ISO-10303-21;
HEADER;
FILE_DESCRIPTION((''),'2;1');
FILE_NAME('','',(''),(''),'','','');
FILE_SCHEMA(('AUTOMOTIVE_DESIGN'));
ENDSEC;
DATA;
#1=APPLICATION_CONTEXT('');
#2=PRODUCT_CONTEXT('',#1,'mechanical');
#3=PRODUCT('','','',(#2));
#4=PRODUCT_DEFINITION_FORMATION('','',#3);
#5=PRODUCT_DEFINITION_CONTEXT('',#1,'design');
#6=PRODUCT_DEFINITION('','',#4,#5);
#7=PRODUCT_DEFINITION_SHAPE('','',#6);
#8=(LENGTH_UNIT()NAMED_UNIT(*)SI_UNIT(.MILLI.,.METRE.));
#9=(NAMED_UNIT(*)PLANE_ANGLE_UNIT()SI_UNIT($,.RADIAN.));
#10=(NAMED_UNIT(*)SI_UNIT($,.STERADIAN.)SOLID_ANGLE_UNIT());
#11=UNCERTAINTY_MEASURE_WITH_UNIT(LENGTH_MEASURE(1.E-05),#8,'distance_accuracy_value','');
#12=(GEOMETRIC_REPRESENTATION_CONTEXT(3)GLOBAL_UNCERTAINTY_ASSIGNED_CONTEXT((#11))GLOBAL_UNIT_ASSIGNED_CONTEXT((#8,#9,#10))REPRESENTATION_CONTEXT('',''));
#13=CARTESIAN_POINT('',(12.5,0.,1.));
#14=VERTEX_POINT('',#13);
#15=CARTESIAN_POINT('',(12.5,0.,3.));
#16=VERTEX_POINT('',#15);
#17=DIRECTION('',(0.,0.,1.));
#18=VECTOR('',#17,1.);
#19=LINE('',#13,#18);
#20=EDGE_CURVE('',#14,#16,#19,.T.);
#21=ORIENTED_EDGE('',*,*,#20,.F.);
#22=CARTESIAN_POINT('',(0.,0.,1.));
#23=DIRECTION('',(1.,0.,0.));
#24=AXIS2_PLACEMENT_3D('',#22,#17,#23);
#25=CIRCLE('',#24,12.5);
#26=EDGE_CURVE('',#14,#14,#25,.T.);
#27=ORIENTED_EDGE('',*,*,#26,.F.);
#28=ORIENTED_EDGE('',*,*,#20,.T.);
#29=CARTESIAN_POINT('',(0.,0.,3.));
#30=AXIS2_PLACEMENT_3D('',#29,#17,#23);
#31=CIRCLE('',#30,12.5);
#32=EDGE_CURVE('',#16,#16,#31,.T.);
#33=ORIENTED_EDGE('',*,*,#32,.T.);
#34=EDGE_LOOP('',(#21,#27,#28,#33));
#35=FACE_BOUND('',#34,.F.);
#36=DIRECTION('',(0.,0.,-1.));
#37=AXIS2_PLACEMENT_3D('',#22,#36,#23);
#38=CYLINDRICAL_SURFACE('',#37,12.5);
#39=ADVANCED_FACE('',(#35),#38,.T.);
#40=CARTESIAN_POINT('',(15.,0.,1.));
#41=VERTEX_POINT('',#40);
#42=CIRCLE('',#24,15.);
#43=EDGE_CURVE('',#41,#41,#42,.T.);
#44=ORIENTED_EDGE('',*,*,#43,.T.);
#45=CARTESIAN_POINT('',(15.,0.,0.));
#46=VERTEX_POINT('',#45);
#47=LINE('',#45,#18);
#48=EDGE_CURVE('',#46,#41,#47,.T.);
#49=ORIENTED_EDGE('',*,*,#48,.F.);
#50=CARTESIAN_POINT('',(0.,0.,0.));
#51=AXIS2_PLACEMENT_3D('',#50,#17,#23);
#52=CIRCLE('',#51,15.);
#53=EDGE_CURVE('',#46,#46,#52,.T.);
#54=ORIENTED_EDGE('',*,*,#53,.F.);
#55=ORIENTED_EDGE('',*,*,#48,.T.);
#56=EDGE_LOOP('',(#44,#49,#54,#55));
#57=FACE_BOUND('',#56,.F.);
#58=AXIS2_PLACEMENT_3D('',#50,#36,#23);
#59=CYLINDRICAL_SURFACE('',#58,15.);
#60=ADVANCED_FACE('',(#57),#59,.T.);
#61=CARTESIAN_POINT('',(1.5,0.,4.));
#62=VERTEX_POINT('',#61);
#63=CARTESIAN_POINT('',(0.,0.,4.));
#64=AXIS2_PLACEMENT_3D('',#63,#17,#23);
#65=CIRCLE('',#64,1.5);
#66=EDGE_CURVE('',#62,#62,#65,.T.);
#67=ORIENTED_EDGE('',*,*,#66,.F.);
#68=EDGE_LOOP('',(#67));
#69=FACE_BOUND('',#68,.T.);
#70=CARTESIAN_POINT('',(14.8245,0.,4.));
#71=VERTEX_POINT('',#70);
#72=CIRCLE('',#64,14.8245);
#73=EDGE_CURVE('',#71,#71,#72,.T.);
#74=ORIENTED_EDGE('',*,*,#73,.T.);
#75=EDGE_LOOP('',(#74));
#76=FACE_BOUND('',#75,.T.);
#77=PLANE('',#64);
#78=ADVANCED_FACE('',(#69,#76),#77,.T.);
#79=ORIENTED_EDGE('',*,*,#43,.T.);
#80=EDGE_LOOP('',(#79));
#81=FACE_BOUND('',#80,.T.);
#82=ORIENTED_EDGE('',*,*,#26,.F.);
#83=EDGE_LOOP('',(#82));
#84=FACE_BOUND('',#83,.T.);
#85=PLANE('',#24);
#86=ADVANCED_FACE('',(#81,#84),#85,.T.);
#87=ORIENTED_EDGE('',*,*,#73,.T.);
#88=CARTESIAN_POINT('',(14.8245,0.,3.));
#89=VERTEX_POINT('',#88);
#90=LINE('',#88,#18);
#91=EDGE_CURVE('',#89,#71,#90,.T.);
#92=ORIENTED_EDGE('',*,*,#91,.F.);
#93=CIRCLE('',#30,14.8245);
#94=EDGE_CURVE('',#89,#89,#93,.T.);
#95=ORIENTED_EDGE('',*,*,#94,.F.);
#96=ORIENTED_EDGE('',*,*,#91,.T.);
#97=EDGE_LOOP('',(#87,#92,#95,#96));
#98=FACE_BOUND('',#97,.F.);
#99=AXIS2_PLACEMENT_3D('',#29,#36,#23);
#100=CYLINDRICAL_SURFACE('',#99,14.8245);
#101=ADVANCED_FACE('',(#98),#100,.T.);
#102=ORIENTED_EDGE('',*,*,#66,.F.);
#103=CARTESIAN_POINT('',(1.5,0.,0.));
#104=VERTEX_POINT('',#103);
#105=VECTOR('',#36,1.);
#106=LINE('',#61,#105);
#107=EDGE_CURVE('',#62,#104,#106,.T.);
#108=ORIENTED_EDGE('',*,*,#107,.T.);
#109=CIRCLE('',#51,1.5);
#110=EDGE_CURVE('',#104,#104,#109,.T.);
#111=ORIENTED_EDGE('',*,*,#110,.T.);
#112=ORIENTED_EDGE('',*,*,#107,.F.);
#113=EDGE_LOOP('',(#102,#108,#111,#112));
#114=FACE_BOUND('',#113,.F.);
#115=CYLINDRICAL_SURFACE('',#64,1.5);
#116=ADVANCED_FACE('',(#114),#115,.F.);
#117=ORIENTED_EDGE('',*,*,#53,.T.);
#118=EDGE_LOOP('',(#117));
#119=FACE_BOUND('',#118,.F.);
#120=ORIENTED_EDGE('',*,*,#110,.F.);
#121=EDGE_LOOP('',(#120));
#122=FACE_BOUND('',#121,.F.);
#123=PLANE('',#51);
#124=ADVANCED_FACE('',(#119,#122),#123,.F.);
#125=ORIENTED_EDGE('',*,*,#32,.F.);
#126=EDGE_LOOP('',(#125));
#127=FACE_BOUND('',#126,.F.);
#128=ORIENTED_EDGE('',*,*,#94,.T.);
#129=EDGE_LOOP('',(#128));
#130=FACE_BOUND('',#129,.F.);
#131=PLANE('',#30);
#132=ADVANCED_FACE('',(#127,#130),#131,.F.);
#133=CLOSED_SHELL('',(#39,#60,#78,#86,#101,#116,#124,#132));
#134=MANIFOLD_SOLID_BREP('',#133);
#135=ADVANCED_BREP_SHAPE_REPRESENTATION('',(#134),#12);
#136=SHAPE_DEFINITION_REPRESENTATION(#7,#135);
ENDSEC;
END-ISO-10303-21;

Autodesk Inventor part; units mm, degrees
ref_plane "YZ Plane" through (0, 0, 0) normal (1, 0, 0) x (0, 1, 0)
ref_plane "XZ Plane" through (0, 0, 0) normal (0, 1, 0) x (-1, 0, 0)
ref_plane "XY Plane" through (0, 0, 0) normal (0, 0, 1) x (1, 0, 0)
sketch "Sketch1" plane through (0, 0, 0) normal (0, 0, 1) x (1, 0, 0)
  circle A0 centre (0, 0) radius 15
  dimension "d0" = 30
extrude "Extrusion1" add sketch "Sketch1" along normal blind 1
sketch "Sketch2" plane through (0, 0, 1) normal (0, 0, 1) x (1, 0, 0)
  circle A0 centre (0, 0) radius 12.5
  dimension "d3" = 25
extrude "Extrusion2" add sketch "Sketch2" along normal blind 2
sketch "Sketch3" plane through (0, 0, 3) normal (0, 0, 1) x (1, 0, 0)
  circle A0 centre (0, 0) radius 14.8245
extrude "Extrusion3" add sketch "Sketch3" along normal blind 1
sketch "Sketch4" plane through (0, 0, 4) normal (0, 0, 1) x (1, 0, 0)
  circle A0 centre (0, 0) radius 1.5
  dimension "d8" = 3
extrude "Extrusion4" cut sketch "Sketch4" against normal blind 5
properties part number "Pully Top"
